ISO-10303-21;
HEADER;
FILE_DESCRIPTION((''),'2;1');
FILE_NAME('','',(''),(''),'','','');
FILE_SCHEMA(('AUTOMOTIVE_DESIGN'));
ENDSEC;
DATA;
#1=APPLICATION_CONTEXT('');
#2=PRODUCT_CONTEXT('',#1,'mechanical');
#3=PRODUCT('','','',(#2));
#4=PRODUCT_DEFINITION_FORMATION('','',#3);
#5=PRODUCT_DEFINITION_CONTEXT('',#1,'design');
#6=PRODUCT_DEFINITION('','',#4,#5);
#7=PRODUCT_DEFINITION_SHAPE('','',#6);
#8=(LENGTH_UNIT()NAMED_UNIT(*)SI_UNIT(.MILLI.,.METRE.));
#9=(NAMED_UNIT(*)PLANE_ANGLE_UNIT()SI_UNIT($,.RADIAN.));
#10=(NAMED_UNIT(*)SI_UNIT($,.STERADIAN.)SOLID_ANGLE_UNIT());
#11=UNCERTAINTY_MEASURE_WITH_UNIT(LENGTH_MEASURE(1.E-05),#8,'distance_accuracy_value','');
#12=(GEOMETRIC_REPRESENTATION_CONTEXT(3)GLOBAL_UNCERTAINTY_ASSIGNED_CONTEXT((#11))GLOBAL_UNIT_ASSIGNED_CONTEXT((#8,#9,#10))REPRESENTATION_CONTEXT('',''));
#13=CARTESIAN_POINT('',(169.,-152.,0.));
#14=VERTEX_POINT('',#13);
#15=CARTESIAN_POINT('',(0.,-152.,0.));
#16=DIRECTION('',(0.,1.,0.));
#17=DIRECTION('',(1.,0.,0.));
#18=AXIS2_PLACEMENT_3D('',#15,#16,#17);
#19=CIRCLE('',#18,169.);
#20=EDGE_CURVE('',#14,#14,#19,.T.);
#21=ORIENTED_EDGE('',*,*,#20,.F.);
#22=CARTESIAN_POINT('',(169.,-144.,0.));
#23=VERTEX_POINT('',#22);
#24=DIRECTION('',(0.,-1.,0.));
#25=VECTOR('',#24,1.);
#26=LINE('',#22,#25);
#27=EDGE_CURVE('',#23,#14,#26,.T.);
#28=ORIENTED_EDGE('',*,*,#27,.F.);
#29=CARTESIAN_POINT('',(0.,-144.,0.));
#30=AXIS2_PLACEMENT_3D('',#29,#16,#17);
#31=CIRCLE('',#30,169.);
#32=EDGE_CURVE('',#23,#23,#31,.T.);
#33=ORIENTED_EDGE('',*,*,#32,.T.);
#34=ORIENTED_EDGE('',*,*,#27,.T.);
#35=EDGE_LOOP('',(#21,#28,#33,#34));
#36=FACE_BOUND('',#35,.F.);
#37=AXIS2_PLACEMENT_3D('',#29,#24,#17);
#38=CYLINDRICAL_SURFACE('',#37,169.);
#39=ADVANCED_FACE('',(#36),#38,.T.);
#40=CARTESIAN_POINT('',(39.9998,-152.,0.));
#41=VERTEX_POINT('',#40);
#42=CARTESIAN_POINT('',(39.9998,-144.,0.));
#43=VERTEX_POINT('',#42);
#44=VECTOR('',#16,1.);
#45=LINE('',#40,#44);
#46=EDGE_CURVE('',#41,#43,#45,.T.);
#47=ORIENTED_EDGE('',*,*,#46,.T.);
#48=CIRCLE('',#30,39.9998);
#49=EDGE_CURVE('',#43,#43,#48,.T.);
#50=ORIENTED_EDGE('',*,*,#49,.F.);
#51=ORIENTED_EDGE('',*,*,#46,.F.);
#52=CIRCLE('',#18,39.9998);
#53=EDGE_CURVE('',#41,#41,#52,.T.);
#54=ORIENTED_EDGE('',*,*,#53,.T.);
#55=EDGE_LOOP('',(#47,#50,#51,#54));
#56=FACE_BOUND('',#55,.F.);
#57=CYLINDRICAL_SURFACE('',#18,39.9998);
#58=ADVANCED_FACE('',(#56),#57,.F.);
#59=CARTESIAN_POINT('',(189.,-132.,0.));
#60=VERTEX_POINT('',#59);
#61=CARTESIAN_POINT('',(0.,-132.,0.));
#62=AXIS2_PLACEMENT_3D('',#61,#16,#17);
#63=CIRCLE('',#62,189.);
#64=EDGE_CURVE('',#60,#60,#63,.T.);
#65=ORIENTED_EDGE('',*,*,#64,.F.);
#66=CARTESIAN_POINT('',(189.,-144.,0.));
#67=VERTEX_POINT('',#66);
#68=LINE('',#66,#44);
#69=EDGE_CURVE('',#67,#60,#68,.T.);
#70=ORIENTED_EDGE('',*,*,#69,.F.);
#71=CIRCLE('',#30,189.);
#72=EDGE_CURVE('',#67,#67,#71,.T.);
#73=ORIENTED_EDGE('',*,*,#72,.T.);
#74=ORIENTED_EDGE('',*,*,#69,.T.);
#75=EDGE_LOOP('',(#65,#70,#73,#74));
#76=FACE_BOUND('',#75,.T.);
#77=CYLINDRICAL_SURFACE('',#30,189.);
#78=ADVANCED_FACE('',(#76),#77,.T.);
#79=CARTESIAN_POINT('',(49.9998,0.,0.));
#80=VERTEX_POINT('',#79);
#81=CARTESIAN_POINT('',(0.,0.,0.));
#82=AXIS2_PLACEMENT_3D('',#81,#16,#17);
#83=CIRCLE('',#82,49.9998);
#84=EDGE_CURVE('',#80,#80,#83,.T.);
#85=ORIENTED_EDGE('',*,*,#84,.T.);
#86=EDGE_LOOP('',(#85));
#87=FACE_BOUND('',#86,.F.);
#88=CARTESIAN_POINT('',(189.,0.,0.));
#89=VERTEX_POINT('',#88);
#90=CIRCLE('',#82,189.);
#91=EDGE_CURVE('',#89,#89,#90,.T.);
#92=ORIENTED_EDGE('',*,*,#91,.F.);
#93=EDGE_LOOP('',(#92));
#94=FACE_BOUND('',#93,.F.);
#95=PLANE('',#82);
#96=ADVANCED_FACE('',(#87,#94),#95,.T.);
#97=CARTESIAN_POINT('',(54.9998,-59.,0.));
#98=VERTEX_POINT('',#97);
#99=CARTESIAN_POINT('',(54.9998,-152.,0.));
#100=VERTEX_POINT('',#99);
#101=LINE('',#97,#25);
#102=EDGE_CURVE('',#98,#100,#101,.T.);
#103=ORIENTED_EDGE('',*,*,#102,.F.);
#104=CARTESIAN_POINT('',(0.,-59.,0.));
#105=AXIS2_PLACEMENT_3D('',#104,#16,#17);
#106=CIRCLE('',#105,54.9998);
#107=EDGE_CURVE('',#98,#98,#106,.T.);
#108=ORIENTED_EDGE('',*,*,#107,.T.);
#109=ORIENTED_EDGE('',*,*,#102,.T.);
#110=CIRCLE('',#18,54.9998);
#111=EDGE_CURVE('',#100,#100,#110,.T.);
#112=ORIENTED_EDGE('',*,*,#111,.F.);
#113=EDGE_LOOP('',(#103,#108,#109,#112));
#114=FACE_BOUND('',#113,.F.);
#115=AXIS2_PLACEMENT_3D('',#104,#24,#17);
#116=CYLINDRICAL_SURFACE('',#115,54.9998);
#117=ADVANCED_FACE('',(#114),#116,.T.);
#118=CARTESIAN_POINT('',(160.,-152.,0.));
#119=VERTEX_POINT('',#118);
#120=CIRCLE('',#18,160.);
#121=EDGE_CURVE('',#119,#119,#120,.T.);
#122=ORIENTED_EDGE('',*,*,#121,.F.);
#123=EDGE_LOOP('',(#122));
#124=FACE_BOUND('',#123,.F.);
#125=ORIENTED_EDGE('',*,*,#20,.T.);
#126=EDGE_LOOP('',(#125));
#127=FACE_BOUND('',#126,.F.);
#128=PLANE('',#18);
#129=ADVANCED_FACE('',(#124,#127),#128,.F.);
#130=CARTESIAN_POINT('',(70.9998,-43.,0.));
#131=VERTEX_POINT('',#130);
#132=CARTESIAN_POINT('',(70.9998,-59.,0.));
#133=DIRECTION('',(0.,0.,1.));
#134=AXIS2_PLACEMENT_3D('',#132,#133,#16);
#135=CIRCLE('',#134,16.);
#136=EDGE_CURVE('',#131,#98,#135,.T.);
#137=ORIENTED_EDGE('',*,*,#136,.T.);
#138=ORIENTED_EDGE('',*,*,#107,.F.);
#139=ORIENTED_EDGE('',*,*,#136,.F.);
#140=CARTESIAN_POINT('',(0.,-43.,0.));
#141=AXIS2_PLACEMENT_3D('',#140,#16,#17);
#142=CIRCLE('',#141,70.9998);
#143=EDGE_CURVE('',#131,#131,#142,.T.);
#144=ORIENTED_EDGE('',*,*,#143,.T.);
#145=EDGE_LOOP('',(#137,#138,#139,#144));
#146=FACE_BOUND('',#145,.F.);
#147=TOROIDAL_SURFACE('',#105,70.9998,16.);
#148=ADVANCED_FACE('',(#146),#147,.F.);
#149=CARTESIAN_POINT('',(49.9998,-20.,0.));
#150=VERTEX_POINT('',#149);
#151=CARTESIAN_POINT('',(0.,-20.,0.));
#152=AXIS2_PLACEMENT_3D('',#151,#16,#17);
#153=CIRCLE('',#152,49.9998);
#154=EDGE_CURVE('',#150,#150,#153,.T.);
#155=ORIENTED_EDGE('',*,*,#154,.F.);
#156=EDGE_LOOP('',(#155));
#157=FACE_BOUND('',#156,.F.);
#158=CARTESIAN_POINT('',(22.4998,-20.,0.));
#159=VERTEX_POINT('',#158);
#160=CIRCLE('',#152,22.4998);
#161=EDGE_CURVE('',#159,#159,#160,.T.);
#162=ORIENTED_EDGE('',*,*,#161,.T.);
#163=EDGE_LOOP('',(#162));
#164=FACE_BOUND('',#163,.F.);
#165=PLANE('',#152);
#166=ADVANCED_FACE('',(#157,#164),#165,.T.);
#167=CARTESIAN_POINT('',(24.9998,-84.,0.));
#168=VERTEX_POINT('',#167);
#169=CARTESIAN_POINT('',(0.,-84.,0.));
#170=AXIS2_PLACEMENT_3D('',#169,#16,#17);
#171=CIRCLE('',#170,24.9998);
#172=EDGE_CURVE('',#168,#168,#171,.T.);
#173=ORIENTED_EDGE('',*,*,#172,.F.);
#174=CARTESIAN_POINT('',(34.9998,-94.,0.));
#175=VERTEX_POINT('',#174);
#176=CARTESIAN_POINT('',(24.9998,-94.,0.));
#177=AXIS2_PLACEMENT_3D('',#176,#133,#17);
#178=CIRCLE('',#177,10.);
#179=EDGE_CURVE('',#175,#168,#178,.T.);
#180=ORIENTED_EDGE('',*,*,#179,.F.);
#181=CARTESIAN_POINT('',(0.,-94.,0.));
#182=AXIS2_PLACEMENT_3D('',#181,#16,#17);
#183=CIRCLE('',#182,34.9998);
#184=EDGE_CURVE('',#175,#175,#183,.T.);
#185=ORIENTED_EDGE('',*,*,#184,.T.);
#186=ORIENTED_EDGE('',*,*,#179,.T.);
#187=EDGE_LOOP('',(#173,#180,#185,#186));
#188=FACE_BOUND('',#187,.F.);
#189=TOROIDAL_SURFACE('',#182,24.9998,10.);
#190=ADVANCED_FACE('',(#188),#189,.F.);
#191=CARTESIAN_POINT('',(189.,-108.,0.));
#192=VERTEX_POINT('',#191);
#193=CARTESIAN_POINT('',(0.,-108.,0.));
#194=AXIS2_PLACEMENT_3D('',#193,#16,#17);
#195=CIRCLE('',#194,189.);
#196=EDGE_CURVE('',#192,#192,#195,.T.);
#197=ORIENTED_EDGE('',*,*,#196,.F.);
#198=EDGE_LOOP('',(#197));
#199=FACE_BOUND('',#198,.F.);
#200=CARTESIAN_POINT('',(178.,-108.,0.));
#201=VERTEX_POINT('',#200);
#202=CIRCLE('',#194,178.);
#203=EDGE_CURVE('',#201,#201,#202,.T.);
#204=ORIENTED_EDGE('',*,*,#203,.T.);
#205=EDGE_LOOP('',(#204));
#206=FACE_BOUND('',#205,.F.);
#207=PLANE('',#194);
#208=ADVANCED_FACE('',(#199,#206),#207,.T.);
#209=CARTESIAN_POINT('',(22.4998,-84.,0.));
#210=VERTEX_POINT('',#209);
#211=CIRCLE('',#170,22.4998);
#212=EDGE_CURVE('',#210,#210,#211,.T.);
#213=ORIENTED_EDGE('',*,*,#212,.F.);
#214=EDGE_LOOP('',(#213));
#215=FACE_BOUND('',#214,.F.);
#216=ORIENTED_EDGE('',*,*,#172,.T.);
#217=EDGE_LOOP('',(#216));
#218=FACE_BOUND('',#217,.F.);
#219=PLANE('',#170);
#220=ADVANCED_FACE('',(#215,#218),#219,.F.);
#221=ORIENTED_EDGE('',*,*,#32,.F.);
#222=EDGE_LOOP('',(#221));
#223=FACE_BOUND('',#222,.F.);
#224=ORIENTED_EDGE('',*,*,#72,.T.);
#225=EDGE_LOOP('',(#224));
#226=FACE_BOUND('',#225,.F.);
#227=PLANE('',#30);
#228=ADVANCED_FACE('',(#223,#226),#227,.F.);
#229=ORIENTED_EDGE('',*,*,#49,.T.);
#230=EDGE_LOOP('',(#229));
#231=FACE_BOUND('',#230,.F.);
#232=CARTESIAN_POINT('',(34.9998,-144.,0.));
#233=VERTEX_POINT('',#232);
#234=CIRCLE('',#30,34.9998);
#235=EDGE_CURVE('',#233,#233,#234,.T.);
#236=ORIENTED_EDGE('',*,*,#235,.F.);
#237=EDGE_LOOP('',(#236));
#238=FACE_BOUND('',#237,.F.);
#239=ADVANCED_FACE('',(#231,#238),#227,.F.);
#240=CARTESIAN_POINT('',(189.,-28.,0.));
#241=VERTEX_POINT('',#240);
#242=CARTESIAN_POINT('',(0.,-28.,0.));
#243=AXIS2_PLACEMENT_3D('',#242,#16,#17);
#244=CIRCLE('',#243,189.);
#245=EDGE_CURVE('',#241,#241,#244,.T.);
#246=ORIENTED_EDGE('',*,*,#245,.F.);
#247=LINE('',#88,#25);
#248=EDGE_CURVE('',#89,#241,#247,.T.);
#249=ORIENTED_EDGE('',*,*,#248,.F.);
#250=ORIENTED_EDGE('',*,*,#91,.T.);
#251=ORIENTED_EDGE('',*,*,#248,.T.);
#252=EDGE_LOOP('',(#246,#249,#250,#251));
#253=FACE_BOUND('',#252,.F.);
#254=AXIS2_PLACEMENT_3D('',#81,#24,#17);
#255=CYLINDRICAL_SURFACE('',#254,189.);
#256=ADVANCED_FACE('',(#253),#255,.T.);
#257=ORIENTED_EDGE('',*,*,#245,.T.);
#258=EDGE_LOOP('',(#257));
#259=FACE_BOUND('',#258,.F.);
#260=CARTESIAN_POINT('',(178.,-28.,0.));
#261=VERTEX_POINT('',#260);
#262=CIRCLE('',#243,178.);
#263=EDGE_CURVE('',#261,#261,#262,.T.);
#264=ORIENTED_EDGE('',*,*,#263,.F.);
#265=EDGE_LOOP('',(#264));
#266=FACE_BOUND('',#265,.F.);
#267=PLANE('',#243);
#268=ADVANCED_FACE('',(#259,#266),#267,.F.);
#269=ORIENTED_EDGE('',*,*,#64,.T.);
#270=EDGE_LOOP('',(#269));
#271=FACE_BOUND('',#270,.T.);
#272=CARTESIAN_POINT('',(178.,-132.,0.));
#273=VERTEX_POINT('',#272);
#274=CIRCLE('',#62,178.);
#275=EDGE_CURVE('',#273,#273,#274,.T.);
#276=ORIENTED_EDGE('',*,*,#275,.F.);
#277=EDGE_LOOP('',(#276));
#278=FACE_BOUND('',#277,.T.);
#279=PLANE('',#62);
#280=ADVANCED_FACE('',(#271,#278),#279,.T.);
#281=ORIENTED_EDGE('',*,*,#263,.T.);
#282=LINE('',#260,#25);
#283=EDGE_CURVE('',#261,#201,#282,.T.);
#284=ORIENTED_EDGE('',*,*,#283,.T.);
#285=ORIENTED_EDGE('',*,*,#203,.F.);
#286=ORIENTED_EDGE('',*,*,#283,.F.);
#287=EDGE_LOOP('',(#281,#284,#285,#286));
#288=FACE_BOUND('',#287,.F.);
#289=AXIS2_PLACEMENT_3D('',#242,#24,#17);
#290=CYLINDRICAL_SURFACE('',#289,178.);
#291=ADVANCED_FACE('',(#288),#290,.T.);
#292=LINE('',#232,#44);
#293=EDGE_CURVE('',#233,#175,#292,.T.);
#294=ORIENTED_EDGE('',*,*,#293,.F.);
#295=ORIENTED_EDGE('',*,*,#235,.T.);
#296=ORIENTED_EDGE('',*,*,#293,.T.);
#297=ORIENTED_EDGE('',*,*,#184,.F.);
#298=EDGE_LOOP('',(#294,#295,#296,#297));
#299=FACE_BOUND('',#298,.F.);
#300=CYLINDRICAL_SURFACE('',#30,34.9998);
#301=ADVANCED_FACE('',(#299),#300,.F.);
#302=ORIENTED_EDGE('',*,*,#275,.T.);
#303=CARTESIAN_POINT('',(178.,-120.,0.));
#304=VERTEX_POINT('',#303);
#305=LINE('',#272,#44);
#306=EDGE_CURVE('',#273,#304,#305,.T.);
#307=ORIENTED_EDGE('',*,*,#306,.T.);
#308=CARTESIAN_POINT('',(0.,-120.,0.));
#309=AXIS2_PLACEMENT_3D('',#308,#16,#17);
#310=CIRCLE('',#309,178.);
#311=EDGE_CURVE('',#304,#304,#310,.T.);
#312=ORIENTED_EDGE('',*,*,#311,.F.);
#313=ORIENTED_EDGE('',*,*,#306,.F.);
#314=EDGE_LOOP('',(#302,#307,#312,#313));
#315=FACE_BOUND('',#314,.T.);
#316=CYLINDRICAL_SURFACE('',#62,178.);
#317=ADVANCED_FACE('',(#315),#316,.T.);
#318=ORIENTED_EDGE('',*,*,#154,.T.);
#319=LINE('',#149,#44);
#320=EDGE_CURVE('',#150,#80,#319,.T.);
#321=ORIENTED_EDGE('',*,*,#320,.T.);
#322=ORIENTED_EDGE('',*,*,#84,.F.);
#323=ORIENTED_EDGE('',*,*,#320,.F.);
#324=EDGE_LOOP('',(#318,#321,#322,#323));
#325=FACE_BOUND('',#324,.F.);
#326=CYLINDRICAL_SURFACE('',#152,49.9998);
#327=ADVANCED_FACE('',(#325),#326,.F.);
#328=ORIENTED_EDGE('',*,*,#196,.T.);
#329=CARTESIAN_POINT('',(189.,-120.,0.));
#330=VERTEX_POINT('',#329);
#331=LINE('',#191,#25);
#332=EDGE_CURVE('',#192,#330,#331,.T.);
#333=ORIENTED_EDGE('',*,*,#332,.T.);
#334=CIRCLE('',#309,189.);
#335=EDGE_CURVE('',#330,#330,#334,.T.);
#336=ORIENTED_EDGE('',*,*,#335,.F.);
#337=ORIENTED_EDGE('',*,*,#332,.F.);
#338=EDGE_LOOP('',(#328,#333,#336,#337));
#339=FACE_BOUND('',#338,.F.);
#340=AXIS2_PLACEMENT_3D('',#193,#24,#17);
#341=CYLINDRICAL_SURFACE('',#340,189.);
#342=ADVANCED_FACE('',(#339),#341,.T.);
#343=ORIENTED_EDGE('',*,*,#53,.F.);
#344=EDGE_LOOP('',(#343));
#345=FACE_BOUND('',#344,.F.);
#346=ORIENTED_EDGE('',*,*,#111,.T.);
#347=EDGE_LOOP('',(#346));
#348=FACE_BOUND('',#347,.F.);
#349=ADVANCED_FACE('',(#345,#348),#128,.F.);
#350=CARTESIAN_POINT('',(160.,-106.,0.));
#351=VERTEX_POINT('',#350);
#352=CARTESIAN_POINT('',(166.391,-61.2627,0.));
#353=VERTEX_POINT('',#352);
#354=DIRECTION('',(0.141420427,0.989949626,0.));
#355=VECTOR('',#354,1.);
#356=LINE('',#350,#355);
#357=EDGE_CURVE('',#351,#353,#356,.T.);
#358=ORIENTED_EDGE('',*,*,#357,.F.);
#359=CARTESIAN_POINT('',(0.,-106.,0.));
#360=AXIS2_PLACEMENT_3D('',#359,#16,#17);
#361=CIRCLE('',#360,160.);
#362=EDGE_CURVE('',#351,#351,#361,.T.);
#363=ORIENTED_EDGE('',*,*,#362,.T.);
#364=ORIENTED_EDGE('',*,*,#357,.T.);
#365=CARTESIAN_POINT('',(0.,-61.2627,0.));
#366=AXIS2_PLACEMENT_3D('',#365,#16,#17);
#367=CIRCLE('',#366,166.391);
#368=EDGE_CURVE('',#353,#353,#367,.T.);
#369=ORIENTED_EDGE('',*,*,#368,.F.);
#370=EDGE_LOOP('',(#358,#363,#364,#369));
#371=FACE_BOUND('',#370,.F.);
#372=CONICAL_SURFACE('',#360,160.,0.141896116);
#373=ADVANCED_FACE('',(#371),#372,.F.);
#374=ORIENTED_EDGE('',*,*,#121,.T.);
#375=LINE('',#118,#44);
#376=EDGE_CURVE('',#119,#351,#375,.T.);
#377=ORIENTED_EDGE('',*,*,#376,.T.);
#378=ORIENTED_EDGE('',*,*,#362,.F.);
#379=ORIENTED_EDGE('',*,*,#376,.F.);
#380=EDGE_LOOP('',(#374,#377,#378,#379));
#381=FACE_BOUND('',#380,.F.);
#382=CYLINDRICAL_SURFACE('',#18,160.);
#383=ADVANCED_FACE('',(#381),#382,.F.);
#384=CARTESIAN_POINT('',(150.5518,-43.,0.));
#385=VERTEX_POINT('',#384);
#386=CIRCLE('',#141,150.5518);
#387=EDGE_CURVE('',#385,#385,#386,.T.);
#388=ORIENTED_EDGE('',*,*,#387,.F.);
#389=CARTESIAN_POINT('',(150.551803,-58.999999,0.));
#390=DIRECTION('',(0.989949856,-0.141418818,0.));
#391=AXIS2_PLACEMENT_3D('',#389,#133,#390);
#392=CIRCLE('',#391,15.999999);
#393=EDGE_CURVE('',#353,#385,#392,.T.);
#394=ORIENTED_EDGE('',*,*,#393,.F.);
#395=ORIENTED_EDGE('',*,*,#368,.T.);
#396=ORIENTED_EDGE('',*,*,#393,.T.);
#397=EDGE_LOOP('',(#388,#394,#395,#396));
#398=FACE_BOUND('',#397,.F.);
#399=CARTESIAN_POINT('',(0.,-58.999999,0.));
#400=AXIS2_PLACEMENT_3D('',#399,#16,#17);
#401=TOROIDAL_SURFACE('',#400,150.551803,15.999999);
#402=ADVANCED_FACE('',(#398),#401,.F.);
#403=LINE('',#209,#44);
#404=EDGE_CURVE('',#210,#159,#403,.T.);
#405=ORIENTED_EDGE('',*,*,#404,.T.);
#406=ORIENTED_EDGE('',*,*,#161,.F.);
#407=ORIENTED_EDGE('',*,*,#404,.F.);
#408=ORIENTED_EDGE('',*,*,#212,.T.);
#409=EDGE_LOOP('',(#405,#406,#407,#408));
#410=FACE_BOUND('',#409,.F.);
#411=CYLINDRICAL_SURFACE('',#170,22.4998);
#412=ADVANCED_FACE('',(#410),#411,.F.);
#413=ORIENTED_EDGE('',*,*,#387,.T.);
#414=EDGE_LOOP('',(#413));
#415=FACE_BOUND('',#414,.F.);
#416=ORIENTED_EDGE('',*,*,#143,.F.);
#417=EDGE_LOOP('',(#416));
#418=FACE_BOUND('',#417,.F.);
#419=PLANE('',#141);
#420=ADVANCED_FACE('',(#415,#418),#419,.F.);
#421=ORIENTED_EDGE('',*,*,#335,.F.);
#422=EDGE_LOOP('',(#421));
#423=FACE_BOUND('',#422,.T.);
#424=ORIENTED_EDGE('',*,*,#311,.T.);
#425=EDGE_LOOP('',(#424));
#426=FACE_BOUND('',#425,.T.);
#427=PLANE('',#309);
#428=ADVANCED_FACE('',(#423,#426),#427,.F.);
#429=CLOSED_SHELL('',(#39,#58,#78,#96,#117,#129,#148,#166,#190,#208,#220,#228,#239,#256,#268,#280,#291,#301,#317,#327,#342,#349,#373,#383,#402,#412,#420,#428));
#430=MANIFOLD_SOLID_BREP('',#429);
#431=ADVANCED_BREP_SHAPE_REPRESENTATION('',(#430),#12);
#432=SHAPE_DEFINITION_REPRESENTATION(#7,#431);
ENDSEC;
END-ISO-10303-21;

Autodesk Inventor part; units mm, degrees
ref_plane "YZ Plane" through (0, 0, 0) normal (1, 0, 0) x (0, 1, 0)
ref_plane "XZ Plane" through (0, 0, 0) normal (0, 1, 0) x (-1, 0, 0)
ref_plane "XY Plane" through (0, 0, 0) normal (0, 0, 1) x (1, 0, 0)
sketch "Эскиз1" plane through (0, 0, 0) normal (0, 0, 1) x (1, 0, 0)
  line L0 (49.9998, 0) -> (189, 0)
  line L1 (189, 0) -> (189, -28)
  line L2 (189, -28) -> (178, -28)
  line L3 (178, -28) -> (178, -108)
  line L4 (178, -108) -> (189, -108)
  line L5 (150.5518, -43) -> (70.9998, -43)
  line L6 (54.9998, -59) -> (54.9998, -152)
  line L7 (24.9998, -84) -> (22.4998, -84)
  line L8 (22.4998, -84) -> (22.4998, -20)
  line L9 (22.4998, -20) -> (49.9998, -20)
  line L10 (49.9998, -20) -> (49.9998, 0)
  arc A0 (70.9998, -43) -> (54.9998, -59) centre (70.9998, -59) ccw
  line L11 (0, 0) -> (0, 25.6698)
  line L12 (189, -108) -> (189, -120)
  line L13 (189, -144) -> (169, -144)
  line L14 (169, -144) -> (169, -152)
  line L15 (189, -144) -> (189, -132)
  line L16 (189, -132) -> (178, -132)
  line L17 (178, -132) -> (178, -120)
  line L18 (178, -120) -> (189, -120)
  line L19 (189, -108) -> (189, -120)
  line L20 (160, -152) -> (160, -106)
  line L21 (34.9998, -144) -> (34.9998, -94)
  line L22 (169, -152) -> (160, -152)
  line L23 (54.9998, -152) -> (39.9998, -152)
  line L24 (39.9998, -152) -> (39.9998, -144)
  line L25 (39.9998, -144) -> (34.9998, -144)
  arc A1 (34.9998, -94) -> (24.9998, -84) centre (24.9998, -94) ccw
  line L26 (160, -106) -> (166.391, -61.2627)
  arc A2 (166.391, -61.2627) -> (150.5518, -43) centre (150.5518, -59) ccw
  point P0 (54.9998, -43)
  point P1 (34.9998, -98)
  dimension "d0" = 189
  dimension "d1" = 28
  dimension "d2" = 11
  dimension "d3" = 80
  dimension "d17" = 64
  dimension "d18" = 27.5
  dimension "d24" = 16
  dimension "d29" = 20
  dimension "d30" = 8
  dimension "d31" = 12
  dimension "d32" = 11
  dimension "d33" = 12
  dimension "d34" = 12
  dimension "d35" = 46
  dimension "d36" = 93
  dimension "d37" = 46
  dimension "d38" = 15
  dimension "d39" = 20
  dimension "d40" = 5
  dimension "d41" = 8
  dimension "d42" = 10
  dimension "d43" = 9
  dimension "d44" = 169
  dimension "d45" = 16
revolve "Вращение1" add sketch "Эскиз1" angle 360 about axis through (0, 0, 0) along (0, 1, 0)
properties part number "Верхняя часть поршня" material "Чугун, серый"
